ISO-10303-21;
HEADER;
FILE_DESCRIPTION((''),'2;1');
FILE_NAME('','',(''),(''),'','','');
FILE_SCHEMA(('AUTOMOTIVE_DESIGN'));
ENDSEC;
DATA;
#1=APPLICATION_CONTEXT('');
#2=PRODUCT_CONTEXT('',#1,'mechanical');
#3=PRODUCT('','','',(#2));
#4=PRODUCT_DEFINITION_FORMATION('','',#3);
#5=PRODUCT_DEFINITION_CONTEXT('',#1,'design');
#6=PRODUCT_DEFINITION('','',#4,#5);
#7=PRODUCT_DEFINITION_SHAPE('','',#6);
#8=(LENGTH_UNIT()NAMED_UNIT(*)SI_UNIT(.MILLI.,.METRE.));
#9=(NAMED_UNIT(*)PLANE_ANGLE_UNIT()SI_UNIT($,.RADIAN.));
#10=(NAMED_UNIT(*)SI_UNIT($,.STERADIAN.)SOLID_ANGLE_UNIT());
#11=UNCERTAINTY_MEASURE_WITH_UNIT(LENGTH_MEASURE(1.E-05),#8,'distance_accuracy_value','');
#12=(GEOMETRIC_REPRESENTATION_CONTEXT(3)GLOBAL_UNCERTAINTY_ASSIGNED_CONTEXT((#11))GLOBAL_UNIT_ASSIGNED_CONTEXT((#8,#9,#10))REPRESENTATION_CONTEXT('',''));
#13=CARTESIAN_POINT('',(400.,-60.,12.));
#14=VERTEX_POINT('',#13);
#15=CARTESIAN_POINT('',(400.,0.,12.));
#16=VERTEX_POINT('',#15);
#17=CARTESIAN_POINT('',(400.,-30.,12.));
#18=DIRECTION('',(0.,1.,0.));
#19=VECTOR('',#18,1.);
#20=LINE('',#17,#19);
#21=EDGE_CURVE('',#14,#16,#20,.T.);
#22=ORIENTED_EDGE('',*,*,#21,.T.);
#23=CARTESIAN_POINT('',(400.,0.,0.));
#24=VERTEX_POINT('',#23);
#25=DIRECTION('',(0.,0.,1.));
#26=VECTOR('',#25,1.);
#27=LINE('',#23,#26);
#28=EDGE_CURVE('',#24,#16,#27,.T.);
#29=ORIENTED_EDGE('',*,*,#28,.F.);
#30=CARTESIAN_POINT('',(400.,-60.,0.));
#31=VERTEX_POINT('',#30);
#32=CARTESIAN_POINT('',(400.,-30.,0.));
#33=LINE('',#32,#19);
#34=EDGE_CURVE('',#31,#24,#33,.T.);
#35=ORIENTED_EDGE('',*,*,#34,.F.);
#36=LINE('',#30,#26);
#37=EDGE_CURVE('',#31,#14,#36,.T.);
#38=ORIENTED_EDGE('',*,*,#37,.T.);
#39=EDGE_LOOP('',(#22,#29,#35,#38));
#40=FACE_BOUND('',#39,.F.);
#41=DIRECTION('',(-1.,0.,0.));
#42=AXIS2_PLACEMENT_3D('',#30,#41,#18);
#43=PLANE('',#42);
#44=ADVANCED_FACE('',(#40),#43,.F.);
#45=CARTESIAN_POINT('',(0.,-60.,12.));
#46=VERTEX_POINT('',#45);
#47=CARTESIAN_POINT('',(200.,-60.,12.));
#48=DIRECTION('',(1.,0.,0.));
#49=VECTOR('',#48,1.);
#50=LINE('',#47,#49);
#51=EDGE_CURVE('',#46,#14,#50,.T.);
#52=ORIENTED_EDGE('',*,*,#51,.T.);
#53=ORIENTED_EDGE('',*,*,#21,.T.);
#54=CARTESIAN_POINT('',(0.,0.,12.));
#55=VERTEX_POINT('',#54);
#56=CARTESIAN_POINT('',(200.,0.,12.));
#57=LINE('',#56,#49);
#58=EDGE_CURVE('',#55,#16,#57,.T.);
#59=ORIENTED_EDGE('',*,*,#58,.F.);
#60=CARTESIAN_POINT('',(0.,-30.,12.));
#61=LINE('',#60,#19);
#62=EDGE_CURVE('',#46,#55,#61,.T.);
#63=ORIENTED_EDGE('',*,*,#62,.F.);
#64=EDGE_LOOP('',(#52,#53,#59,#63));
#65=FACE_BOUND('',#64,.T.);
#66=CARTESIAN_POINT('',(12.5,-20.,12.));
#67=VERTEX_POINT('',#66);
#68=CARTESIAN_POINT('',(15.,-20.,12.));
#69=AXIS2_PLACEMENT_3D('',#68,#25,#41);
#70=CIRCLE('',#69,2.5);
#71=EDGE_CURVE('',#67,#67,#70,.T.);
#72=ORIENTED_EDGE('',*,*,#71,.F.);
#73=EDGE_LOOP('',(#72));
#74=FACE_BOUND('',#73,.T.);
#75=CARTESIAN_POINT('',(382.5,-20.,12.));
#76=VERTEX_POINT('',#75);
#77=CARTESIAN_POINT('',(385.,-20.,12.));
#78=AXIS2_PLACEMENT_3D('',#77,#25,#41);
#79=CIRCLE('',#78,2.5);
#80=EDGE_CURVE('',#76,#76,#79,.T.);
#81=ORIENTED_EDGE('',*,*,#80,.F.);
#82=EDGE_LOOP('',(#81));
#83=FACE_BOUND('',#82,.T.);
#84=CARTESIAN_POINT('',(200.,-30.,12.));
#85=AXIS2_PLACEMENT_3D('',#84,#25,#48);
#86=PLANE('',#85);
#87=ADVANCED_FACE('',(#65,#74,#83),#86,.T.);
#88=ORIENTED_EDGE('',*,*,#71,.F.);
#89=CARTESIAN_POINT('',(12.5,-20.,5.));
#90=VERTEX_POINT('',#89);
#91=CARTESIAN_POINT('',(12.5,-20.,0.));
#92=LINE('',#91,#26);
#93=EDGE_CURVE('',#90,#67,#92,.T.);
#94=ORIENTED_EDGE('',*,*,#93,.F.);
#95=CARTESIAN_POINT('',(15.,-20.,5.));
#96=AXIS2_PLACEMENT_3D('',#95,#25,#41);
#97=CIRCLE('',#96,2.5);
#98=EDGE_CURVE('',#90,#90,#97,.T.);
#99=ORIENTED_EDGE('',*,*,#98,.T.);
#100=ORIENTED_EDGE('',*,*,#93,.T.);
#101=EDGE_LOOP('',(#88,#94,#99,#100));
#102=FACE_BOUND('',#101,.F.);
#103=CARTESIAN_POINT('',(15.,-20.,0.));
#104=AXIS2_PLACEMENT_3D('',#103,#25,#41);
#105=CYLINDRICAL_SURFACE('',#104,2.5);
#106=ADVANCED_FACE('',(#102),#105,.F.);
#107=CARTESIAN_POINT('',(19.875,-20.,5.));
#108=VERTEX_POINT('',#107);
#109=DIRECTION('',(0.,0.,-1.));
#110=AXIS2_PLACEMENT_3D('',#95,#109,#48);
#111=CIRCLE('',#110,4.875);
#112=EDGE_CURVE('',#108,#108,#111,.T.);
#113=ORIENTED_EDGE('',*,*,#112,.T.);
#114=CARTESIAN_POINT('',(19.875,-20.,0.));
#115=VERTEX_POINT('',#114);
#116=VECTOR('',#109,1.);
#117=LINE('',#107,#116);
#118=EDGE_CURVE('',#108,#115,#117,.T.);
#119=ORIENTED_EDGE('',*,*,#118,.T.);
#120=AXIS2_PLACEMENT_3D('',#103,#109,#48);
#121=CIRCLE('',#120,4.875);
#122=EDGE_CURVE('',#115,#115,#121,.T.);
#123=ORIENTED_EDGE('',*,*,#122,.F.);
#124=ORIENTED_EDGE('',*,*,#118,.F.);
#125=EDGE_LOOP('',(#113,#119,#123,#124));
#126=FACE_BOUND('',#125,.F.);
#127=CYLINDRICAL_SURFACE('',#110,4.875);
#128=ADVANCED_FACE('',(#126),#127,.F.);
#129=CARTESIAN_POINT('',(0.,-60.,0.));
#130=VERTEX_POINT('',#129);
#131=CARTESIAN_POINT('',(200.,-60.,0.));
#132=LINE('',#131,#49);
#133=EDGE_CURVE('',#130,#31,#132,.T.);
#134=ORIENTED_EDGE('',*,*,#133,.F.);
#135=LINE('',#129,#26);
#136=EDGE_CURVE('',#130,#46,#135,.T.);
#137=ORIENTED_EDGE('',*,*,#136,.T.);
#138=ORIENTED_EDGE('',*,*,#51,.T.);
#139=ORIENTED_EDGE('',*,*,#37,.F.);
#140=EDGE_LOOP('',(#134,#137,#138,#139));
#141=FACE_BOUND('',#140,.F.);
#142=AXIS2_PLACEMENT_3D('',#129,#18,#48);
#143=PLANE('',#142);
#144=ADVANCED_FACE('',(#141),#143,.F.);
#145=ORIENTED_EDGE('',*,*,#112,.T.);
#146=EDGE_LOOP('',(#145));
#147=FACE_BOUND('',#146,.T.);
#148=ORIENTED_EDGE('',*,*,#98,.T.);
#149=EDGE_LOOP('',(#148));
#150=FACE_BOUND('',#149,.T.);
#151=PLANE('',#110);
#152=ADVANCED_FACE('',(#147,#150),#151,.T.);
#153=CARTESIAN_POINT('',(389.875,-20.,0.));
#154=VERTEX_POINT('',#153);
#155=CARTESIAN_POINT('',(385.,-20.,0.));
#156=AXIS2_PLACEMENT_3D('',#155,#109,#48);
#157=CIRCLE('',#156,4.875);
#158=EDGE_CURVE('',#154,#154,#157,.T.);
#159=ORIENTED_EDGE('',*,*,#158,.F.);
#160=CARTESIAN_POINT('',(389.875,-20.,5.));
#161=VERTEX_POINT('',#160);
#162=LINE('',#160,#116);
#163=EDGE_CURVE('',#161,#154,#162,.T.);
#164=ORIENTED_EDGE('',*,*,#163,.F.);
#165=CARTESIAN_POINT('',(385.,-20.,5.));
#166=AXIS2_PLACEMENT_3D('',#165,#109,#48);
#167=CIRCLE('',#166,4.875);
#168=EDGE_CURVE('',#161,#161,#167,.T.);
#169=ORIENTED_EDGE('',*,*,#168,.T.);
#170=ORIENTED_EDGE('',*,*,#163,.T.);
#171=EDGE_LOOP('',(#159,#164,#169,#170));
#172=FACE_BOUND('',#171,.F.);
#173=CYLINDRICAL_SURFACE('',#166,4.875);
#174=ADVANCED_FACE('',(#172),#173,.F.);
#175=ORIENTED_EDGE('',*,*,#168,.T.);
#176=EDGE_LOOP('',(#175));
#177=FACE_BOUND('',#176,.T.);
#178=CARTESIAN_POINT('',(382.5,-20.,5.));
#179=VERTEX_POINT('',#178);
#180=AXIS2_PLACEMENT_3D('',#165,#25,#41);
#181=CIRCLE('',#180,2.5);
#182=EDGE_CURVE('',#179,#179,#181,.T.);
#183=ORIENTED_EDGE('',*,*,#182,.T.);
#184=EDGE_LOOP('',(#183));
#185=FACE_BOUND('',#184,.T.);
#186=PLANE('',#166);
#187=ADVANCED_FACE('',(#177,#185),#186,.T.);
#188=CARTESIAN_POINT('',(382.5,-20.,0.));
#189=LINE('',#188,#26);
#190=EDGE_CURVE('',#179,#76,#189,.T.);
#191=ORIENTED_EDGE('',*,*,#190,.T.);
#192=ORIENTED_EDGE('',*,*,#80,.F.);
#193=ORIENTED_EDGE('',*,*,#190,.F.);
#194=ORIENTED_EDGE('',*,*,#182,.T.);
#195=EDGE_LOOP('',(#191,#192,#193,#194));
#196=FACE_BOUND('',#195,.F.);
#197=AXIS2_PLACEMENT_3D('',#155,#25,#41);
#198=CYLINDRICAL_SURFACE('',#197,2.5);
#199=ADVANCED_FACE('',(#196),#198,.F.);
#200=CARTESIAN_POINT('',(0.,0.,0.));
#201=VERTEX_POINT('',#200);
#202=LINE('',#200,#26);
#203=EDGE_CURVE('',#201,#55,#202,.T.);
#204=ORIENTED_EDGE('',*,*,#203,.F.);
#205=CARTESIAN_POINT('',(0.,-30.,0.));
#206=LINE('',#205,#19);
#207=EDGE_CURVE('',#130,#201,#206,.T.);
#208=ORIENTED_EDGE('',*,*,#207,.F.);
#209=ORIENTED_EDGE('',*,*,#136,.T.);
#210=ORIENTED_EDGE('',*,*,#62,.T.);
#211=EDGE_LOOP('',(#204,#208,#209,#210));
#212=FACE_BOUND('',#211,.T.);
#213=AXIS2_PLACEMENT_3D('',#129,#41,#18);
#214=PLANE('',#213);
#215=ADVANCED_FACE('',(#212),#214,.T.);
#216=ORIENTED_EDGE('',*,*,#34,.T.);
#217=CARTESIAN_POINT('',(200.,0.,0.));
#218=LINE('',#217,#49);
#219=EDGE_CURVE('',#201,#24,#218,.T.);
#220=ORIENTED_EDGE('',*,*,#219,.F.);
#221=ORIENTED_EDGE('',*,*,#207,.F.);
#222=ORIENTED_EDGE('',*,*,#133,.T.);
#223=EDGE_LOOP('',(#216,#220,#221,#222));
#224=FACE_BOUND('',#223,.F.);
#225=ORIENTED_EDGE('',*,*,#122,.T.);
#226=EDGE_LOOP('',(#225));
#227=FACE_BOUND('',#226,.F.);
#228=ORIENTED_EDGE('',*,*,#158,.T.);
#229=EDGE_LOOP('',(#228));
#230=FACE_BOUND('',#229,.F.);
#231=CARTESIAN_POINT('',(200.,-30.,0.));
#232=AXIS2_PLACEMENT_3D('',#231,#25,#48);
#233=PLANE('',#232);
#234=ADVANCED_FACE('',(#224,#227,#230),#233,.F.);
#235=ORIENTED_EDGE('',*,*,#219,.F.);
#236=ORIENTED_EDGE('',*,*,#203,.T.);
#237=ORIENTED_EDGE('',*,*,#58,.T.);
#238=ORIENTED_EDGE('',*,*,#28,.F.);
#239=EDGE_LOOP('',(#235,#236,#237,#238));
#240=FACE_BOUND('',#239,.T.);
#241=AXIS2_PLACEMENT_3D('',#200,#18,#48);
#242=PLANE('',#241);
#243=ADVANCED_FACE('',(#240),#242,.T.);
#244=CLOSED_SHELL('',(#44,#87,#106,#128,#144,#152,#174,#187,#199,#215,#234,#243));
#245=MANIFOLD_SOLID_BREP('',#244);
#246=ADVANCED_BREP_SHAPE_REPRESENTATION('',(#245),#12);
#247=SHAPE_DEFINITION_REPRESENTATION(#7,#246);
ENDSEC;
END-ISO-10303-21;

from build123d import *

# Parameters (mm, degrees)
F0_W           = 400
F0_H           = 60
F1_DEPTH       = 12
F3_D           = 5
F3_CBORE_D     = 9.75
F3_CBORE_DEPTH = 5


with BuildPart() as f1:
    # F0 (on Top) → F1 (new body)
    with BuildSketch(Plane.XY):
        with Locations((200, -30)):
            Rectangle(F0_W, F0_H)
    extrude(amount=F1_DEPTH)

    # F3 (through all)
    with Locations(Plane(origin=(0, 0, 0), x_dir=(1, 0, 0), z_dir=(0, 0, -1))):
        with Locations((15, 20), (385, 20)):
            CounterBoreHole(F3_D / 2, F3_CBORE_D / 2, F3_CBORE_DEPTH)


solid = f1.part
